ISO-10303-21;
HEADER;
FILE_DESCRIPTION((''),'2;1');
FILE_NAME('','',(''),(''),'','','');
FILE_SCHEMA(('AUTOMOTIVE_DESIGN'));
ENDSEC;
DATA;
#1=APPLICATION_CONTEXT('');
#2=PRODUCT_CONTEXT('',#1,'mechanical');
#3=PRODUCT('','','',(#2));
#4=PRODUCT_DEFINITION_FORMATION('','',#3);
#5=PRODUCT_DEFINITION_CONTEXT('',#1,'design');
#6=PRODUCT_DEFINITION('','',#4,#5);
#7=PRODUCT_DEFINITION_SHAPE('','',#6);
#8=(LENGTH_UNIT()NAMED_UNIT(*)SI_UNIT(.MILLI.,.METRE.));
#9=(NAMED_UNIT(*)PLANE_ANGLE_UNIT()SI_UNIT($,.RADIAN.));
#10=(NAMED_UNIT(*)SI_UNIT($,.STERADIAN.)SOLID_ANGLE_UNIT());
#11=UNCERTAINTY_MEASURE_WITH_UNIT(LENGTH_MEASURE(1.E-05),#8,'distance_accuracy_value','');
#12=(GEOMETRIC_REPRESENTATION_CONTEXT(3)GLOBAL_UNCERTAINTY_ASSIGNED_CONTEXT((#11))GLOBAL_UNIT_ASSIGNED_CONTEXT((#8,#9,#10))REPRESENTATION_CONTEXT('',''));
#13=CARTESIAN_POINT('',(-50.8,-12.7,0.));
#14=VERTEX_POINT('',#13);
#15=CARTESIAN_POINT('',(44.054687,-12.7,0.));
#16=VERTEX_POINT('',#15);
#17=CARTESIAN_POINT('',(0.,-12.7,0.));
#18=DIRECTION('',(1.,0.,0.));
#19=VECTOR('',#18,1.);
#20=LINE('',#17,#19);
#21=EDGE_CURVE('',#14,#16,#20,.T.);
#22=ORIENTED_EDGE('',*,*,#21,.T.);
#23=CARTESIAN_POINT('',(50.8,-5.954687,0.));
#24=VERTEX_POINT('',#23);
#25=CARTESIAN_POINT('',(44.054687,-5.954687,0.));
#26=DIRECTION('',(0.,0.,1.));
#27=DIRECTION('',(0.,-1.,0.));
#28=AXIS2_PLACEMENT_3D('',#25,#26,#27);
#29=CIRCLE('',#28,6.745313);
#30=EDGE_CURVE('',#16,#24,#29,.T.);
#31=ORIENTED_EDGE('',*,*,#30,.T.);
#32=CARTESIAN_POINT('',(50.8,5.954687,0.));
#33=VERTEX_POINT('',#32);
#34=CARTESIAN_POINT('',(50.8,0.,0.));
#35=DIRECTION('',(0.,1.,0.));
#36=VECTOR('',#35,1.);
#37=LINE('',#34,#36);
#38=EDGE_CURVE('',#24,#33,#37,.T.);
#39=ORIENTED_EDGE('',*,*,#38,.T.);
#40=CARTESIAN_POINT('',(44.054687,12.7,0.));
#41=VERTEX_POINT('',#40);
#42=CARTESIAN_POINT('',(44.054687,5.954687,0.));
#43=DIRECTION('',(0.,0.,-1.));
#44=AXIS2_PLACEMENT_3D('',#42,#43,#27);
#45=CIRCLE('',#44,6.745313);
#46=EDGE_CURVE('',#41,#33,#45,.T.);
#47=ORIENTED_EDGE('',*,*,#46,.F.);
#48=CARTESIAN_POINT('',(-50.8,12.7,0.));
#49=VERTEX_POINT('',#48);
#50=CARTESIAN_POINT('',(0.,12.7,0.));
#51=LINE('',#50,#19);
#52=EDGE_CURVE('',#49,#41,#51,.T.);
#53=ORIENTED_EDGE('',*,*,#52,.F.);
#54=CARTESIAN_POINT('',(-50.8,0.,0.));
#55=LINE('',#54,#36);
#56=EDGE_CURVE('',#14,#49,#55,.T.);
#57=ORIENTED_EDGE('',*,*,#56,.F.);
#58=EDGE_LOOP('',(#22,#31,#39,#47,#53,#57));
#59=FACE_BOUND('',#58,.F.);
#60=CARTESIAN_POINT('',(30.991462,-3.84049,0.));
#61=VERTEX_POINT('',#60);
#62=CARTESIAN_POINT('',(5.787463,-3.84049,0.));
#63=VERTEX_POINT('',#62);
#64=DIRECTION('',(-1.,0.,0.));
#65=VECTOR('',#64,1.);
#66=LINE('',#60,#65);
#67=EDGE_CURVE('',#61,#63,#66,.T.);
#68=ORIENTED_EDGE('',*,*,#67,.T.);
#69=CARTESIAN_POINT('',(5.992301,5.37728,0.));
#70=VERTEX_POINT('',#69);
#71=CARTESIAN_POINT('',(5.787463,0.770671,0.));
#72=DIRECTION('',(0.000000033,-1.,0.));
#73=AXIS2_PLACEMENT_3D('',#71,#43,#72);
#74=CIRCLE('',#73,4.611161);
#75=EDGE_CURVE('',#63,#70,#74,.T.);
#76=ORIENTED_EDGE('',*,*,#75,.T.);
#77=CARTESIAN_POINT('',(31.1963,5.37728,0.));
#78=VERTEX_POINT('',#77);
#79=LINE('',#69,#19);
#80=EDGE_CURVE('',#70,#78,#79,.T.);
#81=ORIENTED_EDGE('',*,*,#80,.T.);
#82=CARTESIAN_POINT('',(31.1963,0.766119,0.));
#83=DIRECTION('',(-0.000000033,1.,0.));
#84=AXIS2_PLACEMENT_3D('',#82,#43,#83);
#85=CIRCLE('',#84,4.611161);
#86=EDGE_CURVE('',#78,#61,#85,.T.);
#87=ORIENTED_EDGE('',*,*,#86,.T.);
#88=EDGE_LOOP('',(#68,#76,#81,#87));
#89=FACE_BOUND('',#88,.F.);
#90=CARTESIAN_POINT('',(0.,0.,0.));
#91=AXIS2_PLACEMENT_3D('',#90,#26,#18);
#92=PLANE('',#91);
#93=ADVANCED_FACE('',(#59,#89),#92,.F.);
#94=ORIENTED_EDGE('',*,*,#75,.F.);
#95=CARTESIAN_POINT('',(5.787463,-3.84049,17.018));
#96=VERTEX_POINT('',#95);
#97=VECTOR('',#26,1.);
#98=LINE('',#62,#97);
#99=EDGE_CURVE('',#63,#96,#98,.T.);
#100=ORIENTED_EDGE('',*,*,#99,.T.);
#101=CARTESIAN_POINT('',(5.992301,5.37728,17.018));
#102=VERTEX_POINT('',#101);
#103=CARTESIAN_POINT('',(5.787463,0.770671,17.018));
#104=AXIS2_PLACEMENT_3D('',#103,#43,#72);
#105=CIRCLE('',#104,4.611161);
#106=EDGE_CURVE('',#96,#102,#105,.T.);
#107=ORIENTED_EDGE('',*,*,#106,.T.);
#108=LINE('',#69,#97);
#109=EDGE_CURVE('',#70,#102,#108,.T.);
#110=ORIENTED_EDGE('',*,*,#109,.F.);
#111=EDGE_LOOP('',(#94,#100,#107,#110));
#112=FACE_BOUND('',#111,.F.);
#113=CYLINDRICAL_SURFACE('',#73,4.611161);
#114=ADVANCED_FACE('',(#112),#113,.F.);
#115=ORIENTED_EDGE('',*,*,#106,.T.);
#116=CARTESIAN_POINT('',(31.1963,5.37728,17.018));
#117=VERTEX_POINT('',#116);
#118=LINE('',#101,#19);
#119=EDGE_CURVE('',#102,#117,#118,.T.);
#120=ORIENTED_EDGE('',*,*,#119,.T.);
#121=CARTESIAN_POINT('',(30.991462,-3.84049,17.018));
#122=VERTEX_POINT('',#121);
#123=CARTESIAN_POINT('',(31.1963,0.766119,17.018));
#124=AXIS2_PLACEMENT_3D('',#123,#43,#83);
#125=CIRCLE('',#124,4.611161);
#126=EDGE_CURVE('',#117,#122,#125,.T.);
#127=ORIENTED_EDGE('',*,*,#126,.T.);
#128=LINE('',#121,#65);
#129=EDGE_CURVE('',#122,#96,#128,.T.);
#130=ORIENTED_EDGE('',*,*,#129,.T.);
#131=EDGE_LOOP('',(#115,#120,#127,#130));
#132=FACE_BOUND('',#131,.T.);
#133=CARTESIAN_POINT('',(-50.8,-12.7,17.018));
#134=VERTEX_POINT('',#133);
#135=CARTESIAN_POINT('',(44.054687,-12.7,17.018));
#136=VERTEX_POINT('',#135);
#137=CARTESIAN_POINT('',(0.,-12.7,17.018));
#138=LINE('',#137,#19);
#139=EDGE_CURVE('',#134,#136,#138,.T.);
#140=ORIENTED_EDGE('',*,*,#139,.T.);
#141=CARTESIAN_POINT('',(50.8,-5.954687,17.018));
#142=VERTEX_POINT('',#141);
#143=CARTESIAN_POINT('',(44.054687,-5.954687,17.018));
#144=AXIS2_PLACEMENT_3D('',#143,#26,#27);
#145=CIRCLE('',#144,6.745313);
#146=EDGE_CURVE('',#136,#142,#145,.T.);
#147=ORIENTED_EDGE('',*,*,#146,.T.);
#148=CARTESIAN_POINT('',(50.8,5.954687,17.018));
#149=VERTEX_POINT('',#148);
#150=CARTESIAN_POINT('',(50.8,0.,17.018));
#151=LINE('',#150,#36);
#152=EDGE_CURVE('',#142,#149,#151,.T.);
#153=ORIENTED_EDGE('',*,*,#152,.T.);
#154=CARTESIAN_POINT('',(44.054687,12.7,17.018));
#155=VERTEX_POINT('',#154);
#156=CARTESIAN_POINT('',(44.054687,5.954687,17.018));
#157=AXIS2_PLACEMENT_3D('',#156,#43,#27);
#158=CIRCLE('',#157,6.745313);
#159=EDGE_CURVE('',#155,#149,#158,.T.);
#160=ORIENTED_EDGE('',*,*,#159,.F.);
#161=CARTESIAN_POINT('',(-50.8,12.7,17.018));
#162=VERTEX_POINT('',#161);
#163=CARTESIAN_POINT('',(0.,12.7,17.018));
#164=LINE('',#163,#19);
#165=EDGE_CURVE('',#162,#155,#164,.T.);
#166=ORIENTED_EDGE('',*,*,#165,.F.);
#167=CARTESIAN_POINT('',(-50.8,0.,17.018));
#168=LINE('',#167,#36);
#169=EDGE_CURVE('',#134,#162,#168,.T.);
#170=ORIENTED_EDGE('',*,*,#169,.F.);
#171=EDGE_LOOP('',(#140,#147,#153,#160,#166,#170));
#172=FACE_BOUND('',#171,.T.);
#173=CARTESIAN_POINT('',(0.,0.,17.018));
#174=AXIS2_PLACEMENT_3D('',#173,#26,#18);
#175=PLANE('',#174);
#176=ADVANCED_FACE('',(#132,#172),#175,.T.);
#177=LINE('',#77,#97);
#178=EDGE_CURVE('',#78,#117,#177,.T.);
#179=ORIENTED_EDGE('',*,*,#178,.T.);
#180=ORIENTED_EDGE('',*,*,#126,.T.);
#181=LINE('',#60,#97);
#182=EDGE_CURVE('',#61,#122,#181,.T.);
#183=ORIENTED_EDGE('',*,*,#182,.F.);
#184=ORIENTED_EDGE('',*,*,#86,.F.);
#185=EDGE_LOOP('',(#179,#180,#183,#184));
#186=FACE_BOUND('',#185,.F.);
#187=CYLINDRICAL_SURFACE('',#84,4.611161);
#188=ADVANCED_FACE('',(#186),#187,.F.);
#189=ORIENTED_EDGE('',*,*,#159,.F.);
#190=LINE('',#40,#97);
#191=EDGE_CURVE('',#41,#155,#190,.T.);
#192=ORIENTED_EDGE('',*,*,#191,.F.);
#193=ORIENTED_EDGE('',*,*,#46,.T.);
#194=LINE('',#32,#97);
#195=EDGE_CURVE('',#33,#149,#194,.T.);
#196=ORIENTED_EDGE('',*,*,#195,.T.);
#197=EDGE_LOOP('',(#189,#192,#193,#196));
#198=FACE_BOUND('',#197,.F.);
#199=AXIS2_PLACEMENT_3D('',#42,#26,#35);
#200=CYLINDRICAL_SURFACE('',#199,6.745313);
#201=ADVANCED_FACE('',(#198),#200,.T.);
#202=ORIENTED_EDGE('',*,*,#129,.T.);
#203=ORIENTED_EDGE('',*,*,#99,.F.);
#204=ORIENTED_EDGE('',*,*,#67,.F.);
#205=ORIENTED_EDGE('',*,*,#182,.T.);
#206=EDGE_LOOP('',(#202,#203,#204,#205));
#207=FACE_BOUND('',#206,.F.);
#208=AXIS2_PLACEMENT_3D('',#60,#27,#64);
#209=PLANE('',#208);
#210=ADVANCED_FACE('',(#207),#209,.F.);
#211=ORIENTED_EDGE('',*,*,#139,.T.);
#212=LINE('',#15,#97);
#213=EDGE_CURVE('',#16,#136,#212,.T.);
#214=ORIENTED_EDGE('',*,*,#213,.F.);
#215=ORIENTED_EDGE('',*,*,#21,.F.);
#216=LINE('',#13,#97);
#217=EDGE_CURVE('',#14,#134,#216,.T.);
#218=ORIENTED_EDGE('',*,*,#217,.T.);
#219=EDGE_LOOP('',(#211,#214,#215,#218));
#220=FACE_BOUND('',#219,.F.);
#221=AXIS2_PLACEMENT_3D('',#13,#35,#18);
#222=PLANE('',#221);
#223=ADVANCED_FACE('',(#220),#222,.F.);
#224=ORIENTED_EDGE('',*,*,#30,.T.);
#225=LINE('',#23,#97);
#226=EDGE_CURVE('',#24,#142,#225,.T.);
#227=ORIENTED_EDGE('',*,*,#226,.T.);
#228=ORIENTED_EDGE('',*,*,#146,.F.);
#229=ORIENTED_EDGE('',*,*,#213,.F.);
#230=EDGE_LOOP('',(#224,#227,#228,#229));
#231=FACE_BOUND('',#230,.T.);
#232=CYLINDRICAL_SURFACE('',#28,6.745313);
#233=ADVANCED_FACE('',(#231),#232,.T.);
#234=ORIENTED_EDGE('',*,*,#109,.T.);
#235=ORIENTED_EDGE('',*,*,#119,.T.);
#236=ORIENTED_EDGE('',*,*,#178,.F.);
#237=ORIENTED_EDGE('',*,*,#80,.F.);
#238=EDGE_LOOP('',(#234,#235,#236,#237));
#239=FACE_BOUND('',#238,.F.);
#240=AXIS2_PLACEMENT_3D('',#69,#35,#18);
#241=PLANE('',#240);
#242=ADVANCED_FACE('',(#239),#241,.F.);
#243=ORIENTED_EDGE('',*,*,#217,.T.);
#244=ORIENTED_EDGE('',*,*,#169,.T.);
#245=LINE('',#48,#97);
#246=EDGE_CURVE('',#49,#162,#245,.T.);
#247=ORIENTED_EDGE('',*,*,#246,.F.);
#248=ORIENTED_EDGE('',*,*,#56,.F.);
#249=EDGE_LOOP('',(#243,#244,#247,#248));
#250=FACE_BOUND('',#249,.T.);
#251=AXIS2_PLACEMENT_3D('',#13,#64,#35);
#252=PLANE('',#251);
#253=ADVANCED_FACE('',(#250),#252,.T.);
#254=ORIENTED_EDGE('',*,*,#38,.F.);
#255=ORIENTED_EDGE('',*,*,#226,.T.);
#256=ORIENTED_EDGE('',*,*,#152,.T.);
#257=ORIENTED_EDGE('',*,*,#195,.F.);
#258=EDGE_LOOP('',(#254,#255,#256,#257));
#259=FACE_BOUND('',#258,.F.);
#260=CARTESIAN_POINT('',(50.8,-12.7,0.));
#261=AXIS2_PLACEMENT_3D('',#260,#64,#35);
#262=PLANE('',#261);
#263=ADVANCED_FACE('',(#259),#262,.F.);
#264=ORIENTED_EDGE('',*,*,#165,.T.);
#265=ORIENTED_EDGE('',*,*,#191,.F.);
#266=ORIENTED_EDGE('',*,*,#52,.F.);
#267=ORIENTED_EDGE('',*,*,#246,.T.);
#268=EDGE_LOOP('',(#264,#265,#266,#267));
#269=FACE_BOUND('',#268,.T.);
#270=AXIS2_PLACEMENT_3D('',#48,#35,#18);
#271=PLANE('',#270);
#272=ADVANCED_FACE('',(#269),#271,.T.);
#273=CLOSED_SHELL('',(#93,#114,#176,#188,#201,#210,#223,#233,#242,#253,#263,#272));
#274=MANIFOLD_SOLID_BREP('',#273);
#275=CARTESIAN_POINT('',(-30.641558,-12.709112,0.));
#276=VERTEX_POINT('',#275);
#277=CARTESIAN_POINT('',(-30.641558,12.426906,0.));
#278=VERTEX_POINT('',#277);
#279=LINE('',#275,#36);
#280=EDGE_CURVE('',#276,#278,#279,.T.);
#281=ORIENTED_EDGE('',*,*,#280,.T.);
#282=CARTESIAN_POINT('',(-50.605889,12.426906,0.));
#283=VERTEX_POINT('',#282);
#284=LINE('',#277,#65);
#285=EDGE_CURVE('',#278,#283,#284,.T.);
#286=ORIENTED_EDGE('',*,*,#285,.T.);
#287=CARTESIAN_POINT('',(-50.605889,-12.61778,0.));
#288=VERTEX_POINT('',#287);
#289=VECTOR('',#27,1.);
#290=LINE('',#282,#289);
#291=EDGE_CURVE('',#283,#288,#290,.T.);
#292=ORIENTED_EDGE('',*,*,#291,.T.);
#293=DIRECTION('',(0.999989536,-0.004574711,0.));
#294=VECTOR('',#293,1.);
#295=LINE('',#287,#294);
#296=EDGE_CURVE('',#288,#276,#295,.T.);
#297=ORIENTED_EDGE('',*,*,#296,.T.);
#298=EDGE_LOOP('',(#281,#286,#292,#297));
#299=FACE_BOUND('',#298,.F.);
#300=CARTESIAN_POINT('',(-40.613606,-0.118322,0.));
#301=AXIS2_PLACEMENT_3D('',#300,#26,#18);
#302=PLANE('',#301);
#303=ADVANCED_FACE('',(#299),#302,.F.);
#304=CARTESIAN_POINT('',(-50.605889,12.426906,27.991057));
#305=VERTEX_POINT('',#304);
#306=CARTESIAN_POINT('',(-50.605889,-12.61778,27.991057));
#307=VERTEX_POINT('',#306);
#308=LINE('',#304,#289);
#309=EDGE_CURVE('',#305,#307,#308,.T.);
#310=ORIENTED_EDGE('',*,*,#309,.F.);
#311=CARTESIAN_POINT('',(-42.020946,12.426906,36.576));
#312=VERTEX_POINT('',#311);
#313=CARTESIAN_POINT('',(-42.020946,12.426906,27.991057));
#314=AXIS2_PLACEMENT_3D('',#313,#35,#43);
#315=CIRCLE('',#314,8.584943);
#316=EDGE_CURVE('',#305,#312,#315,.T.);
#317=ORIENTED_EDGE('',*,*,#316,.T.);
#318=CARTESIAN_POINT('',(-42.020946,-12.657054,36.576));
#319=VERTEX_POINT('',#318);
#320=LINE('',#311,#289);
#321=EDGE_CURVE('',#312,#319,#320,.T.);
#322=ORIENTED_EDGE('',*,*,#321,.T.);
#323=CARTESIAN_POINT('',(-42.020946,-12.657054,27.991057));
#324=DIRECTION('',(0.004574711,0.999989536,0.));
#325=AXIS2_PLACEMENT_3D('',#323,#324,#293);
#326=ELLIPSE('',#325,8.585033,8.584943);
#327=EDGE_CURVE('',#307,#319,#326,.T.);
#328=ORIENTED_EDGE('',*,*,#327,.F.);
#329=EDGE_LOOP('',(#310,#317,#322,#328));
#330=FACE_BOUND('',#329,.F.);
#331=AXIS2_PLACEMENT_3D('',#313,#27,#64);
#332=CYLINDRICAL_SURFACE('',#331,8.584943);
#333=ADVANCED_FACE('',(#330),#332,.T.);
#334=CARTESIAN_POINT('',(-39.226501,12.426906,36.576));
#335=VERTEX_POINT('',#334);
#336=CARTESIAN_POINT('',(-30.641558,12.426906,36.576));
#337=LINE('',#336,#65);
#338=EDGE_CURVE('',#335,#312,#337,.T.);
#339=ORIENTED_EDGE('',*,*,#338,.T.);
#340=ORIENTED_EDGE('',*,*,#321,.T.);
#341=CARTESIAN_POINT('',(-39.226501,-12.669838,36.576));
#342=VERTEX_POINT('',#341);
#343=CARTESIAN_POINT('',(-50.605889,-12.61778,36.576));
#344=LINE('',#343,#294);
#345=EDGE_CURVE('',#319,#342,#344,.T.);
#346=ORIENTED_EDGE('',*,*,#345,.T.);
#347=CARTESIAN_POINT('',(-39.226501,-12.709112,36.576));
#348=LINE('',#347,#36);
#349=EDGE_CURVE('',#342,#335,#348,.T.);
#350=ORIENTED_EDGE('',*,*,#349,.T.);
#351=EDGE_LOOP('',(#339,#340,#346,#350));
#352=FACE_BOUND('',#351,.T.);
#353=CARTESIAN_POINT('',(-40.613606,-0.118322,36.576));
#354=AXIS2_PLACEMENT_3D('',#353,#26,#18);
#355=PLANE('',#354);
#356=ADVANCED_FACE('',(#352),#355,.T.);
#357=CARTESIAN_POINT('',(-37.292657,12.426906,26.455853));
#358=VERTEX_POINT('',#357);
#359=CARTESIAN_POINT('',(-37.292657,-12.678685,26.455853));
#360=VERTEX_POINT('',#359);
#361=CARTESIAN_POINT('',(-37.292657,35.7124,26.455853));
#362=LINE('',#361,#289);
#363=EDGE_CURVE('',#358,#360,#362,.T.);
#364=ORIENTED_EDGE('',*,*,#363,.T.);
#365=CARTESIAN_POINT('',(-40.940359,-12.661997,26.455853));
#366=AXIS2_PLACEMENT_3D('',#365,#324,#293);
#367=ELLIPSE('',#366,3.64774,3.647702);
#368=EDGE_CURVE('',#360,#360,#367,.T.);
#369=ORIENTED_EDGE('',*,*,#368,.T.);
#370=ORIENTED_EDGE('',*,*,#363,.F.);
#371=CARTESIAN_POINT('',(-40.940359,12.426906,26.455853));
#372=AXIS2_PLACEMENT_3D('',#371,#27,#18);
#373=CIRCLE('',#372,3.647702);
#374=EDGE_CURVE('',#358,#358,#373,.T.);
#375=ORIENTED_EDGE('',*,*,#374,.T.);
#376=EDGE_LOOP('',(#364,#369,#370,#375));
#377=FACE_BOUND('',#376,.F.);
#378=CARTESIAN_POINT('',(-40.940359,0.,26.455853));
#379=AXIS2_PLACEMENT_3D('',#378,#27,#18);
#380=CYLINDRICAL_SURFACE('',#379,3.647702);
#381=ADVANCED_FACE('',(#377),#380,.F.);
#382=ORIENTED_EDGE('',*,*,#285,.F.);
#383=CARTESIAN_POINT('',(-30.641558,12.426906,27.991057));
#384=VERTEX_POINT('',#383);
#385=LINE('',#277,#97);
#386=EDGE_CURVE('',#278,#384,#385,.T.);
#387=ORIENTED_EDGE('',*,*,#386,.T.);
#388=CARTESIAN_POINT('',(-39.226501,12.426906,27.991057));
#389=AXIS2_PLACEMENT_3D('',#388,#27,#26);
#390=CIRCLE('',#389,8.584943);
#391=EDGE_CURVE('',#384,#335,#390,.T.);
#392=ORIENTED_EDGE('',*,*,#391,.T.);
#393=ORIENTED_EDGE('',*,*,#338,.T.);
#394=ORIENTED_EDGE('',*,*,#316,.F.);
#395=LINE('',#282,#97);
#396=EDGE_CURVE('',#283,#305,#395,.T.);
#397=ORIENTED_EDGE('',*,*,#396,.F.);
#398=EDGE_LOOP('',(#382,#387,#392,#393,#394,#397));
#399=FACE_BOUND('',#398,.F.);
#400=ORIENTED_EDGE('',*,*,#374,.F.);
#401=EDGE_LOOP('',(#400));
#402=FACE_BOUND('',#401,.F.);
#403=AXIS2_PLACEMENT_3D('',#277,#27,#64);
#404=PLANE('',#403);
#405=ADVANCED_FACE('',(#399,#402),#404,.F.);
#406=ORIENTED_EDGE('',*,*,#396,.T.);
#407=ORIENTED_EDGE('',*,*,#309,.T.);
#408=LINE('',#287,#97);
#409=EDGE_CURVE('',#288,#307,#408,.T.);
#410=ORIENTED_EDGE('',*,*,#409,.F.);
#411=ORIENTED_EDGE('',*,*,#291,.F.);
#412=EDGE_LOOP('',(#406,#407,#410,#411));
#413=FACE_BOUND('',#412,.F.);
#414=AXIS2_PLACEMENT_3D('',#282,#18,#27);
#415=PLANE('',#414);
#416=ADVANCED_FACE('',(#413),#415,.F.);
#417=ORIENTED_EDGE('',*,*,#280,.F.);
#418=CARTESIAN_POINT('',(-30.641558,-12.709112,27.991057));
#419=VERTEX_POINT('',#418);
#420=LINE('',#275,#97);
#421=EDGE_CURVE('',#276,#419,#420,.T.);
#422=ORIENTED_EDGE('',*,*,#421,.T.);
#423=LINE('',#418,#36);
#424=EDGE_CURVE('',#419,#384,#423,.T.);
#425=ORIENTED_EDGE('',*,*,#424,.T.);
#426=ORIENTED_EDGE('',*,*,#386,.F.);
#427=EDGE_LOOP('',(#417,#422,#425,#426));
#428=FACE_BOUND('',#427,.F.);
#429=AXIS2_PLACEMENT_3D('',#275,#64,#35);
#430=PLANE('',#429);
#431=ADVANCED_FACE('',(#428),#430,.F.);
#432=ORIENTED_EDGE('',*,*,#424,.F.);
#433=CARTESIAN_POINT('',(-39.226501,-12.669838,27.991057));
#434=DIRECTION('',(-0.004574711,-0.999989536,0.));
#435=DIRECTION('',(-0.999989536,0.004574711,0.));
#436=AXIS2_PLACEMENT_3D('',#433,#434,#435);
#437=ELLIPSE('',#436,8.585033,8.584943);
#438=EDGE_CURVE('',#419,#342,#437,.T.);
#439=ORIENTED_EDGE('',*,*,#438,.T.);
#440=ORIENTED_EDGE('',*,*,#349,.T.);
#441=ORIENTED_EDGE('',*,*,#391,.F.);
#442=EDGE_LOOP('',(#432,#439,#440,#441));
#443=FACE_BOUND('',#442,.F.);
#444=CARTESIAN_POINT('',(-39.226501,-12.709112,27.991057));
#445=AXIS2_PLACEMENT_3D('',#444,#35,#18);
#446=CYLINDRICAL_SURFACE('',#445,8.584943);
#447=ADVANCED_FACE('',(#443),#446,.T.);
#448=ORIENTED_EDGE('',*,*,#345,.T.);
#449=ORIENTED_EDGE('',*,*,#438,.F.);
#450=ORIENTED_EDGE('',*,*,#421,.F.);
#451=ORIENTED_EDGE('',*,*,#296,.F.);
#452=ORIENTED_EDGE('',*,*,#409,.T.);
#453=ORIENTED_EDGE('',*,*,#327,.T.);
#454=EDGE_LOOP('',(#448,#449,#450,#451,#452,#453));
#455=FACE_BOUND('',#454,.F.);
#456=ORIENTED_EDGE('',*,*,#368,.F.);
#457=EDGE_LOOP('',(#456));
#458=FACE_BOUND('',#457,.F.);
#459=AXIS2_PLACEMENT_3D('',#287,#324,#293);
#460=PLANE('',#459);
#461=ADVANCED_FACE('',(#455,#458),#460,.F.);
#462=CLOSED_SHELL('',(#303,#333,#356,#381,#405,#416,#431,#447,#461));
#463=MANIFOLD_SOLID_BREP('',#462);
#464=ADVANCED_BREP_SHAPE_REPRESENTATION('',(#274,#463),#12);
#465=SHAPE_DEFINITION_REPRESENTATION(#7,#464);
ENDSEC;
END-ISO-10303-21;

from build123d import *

# Parameters (mm, degrees)
F0_W     = 101.6
F0_H     = 25.4
F1_DEPTH = 17.018
F2_R     = 6.745313
F4_DEPTH = 36.576
F5_R     = 8.584943
F6_R     = 3.647702
F7_DEPTH = 35.7124


with BuildPart() as f1:
    # F0 (on Top) → F1 (new body)
    with BuildSketch(Plane.XY):
        Rectangle(F0_W, F0_H)
        with BuildLine():
            Line((5.992301, 5.37728), (31.1963, 5.37728))
            ThreePointArc((31.1963, 5.37728), (35.806323, 0.663675), (30.991462, -3.84049))
            Line((30.991462, -3.84049), (5.787463, -3.84049))
            ThreePointArc((5.787463, -3.84049), (1.17744, 0.873115), (5.992301, 5.37728))
        make_face(mode=Mode.SUBTRACT)
    extrude(amount=F1_DEPTH)

    # F2
    f2_edges = [f1.edges().sort_by_distance(p)[0] for p in [
        (50.8, -12.7, 8.509),
        (50.8, 12.7, 8.509),
    ]]
    fillet(f2_edges, radius=F2_R)


with BuildPart() as f4:
    # F3 (on Top) → F4 (new body)
    with BuildSketch(Plane.XY):
        Polygon((-50.605889, -12.61778), (-30.641558, -12.709112), (-30.641558, 12.426906), (-50.605889, 12.426906), align=None)
    extrude(amount=F4_DEPTH)

    # F5
    f5_edges = [f4.edges().sort_by_distance(p)[0] for p in [
        (-30.641558, -0.141103, 36.576),
        (-50.605889, -0.095437, 36.576),
    ]]
    fillet(f5_edges, radius=F5_R)

    # F6 (on Front) → F7 (cut, symmetric)
    with BuildSketch(Plane.XZ):
        with Locations((-40.940359, 26.455853)):
            Circle(F6_R)
    extrude(amount=F7_DEPTH, both=True, mode=Mode.SUBTRACT)


solid = Compound([f1.part, f4.part])
